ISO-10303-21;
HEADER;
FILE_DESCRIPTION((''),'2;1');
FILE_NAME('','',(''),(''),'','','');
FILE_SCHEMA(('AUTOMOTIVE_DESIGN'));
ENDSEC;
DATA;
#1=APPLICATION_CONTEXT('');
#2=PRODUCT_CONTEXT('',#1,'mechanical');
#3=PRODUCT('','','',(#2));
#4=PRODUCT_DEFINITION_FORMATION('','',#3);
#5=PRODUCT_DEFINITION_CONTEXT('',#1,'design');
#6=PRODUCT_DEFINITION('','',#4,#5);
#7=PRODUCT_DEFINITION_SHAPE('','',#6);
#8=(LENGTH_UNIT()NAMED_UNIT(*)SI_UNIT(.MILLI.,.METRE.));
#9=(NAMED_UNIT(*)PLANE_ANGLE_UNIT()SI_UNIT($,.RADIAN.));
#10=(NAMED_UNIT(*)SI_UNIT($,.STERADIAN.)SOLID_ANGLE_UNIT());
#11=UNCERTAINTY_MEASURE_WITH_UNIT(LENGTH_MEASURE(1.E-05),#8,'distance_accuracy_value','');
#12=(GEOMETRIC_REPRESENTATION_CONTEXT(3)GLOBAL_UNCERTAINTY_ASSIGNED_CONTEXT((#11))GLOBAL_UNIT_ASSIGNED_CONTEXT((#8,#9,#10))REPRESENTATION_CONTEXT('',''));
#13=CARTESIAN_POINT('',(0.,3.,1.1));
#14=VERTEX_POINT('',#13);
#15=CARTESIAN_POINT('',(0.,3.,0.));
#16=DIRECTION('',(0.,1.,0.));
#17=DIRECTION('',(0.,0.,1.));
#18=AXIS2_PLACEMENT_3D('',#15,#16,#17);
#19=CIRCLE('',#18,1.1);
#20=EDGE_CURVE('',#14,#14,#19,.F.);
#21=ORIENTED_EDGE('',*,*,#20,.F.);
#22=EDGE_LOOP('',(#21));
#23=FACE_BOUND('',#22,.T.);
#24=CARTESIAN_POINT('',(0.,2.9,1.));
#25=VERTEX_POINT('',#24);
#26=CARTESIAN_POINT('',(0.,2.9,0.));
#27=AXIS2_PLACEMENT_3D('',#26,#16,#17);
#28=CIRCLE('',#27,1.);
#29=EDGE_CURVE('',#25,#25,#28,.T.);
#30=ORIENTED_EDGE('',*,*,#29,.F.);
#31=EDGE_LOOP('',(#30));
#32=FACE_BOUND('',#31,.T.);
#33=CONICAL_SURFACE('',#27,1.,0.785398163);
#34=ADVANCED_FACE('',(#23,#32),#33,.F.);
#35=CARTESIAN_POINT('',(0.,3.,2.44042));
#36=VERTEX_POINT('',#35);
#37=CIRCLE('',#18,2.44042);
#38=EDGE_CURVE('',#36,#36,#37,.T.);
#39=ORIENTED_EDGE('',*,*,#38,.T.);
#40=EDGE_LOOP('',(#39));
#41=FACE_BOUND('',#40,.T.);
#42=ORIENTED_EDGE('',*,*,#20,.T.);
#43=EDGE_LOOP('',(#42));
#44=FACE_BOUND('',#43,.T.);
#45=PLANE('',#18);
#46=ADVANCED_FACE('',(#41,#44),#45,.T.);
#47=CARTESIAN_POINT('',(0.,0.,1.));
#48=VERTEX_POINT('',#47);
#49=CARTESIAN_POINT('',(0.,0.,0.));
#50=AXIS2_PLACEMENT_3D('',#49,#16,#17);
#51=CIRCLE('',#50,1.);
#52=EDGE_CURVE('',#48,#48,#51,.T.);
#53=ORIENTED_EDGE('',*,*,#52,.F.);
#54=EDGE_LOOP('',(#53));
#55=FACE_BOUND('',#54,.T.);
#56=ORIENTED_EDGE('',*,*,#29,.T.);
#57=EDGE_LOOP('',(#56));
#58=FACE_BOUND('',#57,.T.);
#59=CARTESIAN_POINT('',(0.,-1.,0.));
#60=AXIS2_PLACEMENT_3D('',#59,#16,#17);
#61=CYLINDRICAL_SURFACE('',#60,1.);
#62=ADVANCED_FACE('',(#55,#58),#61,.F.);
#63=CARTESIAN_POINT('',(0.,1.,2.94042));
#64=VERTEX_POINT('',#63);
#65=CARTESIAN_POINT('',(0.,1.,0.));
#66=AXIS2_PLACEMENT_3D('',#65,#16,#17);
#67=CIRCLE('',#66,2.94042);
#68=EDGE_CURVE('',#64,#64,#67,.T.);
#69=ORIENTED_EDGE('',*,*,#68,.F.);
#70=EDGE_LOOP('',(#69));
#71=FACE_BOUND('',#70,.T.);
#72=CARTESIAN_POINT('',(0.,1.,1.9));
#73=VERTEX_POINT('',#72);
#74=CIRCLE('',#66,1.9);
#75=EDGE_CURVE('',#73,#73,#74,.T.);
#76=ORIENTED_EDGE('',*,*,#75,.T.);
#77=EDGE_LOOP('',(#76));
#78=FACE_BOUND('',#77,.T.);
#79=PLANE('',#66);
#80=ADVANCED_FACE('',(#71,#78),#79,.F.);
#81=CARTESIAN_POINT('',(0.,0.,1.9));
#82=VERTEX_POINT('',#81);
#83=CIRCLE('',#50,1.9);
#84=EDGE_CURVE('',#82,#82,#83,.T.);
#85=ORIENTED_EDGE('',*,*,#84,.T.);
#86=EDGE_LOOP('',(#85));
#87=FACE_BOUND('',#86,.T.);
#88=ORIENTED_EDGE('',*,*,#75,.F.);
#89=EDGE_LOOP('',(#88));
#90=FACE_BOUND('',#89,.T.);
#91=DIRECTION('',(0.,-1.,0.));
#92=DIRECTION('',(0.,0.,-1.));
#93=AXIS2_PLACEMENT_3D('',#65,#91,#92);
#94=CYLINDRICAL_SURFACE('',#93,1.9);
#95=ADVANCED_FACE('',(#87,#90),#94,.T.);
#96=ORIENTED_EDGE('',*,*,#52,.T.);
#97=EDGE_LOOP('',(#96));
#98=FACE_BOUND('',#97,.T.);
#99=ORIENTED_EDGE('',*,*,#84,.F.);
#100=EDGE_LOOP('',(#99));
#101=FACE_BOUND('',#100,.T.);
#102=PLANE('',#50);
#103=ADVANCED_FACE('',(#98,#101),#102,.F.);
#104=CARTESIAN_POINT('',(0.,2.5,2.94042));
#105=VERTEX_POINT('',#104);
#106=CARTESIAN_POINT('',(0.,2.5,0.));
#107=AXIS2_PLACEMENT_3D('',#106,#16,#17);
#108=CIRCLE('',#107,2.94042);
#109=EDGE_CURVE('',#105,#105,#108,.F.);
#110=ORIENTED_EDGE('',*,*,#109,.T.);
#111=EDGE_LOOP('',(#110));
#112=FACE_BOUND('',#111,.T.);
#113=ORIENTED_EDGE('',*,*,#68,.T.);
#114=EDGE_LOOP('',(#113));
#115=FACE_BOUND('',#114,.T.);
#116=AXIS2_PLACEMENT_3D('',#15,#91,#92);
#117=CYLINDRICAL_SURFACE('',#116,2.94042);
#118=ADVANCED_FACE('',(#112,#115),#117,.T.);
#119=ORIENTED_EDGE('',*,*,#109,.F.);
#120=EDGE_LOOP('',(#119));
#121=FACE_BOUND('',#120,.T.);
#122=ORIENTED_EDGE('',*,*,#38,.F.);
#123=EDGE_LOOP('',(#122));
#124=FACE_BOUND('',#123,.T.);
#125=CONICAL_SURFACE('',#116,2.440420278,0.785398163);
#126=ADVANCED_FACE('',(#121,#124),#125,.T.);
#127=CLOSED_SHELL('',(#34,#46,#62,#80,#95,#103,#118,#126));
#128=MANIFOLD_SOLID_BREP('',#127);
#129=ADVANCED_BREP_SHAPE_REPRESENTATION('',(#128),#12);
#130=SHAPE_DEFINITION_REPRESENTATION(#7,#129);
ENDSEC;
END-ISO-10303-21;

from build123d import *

# Parameters (mm, degrees)
SKETCH1_R           = 1.9
BOSS_EXTRUDE1_DEPTH = 1
SKETCH2_R           = 2.940420278
BOSS_EXTRUDE2_DEPTH = 2
CHAMFER1_SIZE       = 0.5
SKETCH3_R           = 1
CUT_EXTRUDE1_DEPTH  = 4
CHAMFER2_SIZE       = 0.1


with BuildPart() as part:
    # Sketch1 → Boss-Extrude1 (new body)
    with BuildSketch(Plane(origin=(0, 0, 0), x_dir=(1, 0, 0), z_dir=(0, 1, 0))):
        with Locations(Location((0, 0, 0), (0, 0, 270))):
            Circle(SKETCH1_R)
    extrude(amount=BOSS_EXTRUDE1_DEPTH)

    # Sketch2 → Boss-Extrude2 (add)
    with BuildSketch(Plane(origin=(0, 1, 0), x_dir=(1, 0, 0), z_dir=(0, 1, 0))):
        with Locations(Location((0, 0, 0), (0, 0, 270))):
            Circle(SKETCH2_R)
    extrude(amount=BOSS_EXTRUDE2_DEPTH)

    # Chamfer1
    chamfer1_edges = [part.edges().sort_by_distance(p)[0] for p in [
        (0, 3, -2.940420278),
    ]]
    chamfer(chamfer1_edges, length=CHAMFER1_SIZE)

    # Sketch3 → Cut-Extrude1 (cut)
    with BuildSketch(Plane(origin=(0, 3, 0), x_dir=(1, 0, 0), z_dir=(0, 1, 0))):
        with Locations(Location((0, 0, 0), (0, 0, 270))):
            Circle(SKETCH3_R)
    extrude(amount=-CUT_EXTRUDE1_DEPTH, mode=Mode.SUBTRACT)

    # Chamfer2
    chamfer2_edges = [part.edges().sort_by_distance(p)[0] for p in [
        (0, 3, -1),
    ]]
    chamfer(chamfer2_edges, length=CHAMFER2_SIZE)


solid = part.part
